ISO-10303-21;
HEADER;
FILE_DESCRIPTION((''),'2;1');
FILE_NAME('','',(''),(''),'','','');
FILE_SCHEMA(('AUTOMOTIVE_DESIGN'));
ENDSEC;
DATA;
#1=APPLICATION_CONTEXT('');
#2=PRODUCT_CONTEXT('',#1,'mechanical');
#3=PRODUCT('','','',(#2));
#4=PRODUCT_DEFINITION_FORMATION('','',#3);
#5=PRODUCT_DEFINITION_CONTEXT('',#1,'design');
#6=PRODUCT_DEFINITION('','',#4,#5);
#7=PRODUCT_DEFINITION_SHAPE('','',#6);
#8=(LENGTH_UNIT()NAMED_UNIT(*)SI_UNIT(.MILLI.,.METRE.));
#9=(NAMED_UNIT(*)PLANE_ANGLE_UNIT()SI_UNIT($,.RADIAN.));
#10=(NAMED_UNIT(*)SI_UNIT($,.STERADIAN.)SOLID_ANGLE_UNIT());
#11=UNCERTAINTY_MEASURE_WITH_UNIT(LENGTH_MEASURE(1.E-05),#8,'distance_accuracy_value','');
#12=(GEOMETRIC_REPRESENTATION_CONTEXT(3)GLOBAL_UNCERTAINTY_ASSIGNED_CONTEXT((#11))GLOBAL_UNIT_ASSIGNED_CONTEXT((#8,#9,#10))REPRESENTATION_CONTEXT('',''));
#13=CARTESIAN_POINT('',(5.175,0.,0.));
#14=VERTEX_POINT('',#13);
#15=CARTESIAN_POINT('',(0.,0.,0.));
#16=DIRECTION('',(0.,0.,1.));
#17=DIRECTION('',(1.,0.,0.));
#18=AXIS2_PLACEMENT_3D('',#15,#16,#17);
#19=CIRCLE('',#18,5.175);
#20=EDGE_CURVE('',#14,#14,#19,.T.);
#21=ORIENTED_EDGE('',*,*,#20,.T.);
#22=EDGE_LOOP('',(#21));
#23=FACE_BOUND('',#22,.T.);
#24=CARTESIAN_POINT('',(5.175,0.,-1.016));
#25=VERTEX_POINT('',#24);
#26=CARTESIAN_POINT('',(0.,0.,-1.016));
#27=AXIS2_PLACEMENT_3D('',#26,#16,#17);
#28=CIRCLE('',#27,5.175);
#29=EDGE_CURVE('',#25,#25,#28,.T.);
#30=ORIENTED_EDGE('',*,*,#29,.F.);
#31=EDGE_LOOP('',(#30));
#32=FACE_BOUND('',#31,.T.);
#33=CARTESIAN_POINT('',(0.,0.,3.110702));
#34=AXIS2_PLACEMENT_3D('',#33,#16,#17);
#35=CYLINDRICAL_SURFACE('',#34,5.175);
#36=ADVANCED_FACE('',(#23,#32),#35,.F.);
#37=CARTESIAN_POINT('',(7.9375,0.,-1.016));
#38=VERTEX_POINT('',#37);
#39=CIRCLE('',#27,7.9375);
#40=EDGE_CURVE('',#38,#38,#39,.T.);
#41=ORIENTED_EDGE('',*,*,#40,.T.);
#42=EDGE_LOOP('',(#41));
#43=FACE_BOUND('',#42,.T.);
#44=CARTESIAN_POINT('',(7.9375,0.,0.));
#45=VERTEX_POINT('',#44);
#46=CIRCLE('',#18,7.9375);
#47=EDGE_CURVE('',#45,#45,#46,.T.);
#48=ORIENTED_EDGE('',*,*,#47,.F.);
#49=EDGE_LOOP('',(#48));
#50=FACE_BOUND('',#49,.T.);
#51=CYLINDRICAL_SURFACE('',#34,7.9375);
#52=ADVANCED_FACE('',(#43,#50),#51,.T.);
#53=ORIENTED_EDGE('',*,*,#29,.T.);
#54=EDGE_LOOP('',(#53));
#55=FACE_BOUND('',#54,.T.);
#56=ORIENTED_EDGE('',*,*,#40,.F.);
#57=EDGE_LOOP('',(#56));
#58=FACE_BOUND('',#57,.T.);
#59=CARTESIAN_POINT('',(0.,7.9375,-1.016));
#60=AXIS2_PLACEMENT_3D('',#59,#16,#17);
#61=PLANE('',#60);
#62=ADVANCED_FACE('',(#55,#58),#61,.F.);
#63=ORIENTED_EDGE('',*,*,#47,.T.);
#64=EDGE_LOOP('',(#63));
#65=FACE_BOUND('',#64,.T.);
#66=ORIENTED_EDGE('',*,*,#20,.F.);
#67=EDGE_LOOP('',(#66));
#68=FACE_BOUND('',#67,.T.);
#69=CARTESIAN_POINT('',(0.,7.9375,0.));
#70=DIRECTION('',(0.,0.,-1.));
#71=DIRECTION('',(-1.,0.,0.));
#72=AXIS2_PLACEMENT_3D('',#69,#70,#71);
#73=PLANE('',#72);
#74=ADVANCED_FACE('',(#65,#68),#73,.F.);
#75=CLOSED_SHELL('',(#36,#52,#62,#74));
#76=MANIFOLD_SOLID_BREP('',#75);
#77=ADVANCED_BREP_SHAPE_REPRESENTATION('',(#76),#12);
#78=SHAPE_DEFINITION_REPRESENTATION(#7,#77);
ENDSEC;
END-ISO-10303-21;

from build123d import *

# Parameters (mm, degrees)
SKETCH1_W = 1.016
SKETCH1_H = 2.7625


with BuildPart() as part:
    # Sketch1 → Revolve1 (revolve)
    with BuildSketch(Plane(origin=(0, 0, 0), x_dir=(0, 0, -1), z_dir=(1, 0, 0)), mode=Mode.PRIVATE) as revolve1_sk:
        with Locations((0.508, 6.55625)):
            Rectangle(SKETCH1_W, SKETCH1_H)
    revolve(revolve1_sk.sketch.rotate(Axis((0, 0, 3.110701917), (0, 0, -1)), 90), axis=Axis((0, 0, 3.110701917), (0, 0, -1)))


solid = part.part
